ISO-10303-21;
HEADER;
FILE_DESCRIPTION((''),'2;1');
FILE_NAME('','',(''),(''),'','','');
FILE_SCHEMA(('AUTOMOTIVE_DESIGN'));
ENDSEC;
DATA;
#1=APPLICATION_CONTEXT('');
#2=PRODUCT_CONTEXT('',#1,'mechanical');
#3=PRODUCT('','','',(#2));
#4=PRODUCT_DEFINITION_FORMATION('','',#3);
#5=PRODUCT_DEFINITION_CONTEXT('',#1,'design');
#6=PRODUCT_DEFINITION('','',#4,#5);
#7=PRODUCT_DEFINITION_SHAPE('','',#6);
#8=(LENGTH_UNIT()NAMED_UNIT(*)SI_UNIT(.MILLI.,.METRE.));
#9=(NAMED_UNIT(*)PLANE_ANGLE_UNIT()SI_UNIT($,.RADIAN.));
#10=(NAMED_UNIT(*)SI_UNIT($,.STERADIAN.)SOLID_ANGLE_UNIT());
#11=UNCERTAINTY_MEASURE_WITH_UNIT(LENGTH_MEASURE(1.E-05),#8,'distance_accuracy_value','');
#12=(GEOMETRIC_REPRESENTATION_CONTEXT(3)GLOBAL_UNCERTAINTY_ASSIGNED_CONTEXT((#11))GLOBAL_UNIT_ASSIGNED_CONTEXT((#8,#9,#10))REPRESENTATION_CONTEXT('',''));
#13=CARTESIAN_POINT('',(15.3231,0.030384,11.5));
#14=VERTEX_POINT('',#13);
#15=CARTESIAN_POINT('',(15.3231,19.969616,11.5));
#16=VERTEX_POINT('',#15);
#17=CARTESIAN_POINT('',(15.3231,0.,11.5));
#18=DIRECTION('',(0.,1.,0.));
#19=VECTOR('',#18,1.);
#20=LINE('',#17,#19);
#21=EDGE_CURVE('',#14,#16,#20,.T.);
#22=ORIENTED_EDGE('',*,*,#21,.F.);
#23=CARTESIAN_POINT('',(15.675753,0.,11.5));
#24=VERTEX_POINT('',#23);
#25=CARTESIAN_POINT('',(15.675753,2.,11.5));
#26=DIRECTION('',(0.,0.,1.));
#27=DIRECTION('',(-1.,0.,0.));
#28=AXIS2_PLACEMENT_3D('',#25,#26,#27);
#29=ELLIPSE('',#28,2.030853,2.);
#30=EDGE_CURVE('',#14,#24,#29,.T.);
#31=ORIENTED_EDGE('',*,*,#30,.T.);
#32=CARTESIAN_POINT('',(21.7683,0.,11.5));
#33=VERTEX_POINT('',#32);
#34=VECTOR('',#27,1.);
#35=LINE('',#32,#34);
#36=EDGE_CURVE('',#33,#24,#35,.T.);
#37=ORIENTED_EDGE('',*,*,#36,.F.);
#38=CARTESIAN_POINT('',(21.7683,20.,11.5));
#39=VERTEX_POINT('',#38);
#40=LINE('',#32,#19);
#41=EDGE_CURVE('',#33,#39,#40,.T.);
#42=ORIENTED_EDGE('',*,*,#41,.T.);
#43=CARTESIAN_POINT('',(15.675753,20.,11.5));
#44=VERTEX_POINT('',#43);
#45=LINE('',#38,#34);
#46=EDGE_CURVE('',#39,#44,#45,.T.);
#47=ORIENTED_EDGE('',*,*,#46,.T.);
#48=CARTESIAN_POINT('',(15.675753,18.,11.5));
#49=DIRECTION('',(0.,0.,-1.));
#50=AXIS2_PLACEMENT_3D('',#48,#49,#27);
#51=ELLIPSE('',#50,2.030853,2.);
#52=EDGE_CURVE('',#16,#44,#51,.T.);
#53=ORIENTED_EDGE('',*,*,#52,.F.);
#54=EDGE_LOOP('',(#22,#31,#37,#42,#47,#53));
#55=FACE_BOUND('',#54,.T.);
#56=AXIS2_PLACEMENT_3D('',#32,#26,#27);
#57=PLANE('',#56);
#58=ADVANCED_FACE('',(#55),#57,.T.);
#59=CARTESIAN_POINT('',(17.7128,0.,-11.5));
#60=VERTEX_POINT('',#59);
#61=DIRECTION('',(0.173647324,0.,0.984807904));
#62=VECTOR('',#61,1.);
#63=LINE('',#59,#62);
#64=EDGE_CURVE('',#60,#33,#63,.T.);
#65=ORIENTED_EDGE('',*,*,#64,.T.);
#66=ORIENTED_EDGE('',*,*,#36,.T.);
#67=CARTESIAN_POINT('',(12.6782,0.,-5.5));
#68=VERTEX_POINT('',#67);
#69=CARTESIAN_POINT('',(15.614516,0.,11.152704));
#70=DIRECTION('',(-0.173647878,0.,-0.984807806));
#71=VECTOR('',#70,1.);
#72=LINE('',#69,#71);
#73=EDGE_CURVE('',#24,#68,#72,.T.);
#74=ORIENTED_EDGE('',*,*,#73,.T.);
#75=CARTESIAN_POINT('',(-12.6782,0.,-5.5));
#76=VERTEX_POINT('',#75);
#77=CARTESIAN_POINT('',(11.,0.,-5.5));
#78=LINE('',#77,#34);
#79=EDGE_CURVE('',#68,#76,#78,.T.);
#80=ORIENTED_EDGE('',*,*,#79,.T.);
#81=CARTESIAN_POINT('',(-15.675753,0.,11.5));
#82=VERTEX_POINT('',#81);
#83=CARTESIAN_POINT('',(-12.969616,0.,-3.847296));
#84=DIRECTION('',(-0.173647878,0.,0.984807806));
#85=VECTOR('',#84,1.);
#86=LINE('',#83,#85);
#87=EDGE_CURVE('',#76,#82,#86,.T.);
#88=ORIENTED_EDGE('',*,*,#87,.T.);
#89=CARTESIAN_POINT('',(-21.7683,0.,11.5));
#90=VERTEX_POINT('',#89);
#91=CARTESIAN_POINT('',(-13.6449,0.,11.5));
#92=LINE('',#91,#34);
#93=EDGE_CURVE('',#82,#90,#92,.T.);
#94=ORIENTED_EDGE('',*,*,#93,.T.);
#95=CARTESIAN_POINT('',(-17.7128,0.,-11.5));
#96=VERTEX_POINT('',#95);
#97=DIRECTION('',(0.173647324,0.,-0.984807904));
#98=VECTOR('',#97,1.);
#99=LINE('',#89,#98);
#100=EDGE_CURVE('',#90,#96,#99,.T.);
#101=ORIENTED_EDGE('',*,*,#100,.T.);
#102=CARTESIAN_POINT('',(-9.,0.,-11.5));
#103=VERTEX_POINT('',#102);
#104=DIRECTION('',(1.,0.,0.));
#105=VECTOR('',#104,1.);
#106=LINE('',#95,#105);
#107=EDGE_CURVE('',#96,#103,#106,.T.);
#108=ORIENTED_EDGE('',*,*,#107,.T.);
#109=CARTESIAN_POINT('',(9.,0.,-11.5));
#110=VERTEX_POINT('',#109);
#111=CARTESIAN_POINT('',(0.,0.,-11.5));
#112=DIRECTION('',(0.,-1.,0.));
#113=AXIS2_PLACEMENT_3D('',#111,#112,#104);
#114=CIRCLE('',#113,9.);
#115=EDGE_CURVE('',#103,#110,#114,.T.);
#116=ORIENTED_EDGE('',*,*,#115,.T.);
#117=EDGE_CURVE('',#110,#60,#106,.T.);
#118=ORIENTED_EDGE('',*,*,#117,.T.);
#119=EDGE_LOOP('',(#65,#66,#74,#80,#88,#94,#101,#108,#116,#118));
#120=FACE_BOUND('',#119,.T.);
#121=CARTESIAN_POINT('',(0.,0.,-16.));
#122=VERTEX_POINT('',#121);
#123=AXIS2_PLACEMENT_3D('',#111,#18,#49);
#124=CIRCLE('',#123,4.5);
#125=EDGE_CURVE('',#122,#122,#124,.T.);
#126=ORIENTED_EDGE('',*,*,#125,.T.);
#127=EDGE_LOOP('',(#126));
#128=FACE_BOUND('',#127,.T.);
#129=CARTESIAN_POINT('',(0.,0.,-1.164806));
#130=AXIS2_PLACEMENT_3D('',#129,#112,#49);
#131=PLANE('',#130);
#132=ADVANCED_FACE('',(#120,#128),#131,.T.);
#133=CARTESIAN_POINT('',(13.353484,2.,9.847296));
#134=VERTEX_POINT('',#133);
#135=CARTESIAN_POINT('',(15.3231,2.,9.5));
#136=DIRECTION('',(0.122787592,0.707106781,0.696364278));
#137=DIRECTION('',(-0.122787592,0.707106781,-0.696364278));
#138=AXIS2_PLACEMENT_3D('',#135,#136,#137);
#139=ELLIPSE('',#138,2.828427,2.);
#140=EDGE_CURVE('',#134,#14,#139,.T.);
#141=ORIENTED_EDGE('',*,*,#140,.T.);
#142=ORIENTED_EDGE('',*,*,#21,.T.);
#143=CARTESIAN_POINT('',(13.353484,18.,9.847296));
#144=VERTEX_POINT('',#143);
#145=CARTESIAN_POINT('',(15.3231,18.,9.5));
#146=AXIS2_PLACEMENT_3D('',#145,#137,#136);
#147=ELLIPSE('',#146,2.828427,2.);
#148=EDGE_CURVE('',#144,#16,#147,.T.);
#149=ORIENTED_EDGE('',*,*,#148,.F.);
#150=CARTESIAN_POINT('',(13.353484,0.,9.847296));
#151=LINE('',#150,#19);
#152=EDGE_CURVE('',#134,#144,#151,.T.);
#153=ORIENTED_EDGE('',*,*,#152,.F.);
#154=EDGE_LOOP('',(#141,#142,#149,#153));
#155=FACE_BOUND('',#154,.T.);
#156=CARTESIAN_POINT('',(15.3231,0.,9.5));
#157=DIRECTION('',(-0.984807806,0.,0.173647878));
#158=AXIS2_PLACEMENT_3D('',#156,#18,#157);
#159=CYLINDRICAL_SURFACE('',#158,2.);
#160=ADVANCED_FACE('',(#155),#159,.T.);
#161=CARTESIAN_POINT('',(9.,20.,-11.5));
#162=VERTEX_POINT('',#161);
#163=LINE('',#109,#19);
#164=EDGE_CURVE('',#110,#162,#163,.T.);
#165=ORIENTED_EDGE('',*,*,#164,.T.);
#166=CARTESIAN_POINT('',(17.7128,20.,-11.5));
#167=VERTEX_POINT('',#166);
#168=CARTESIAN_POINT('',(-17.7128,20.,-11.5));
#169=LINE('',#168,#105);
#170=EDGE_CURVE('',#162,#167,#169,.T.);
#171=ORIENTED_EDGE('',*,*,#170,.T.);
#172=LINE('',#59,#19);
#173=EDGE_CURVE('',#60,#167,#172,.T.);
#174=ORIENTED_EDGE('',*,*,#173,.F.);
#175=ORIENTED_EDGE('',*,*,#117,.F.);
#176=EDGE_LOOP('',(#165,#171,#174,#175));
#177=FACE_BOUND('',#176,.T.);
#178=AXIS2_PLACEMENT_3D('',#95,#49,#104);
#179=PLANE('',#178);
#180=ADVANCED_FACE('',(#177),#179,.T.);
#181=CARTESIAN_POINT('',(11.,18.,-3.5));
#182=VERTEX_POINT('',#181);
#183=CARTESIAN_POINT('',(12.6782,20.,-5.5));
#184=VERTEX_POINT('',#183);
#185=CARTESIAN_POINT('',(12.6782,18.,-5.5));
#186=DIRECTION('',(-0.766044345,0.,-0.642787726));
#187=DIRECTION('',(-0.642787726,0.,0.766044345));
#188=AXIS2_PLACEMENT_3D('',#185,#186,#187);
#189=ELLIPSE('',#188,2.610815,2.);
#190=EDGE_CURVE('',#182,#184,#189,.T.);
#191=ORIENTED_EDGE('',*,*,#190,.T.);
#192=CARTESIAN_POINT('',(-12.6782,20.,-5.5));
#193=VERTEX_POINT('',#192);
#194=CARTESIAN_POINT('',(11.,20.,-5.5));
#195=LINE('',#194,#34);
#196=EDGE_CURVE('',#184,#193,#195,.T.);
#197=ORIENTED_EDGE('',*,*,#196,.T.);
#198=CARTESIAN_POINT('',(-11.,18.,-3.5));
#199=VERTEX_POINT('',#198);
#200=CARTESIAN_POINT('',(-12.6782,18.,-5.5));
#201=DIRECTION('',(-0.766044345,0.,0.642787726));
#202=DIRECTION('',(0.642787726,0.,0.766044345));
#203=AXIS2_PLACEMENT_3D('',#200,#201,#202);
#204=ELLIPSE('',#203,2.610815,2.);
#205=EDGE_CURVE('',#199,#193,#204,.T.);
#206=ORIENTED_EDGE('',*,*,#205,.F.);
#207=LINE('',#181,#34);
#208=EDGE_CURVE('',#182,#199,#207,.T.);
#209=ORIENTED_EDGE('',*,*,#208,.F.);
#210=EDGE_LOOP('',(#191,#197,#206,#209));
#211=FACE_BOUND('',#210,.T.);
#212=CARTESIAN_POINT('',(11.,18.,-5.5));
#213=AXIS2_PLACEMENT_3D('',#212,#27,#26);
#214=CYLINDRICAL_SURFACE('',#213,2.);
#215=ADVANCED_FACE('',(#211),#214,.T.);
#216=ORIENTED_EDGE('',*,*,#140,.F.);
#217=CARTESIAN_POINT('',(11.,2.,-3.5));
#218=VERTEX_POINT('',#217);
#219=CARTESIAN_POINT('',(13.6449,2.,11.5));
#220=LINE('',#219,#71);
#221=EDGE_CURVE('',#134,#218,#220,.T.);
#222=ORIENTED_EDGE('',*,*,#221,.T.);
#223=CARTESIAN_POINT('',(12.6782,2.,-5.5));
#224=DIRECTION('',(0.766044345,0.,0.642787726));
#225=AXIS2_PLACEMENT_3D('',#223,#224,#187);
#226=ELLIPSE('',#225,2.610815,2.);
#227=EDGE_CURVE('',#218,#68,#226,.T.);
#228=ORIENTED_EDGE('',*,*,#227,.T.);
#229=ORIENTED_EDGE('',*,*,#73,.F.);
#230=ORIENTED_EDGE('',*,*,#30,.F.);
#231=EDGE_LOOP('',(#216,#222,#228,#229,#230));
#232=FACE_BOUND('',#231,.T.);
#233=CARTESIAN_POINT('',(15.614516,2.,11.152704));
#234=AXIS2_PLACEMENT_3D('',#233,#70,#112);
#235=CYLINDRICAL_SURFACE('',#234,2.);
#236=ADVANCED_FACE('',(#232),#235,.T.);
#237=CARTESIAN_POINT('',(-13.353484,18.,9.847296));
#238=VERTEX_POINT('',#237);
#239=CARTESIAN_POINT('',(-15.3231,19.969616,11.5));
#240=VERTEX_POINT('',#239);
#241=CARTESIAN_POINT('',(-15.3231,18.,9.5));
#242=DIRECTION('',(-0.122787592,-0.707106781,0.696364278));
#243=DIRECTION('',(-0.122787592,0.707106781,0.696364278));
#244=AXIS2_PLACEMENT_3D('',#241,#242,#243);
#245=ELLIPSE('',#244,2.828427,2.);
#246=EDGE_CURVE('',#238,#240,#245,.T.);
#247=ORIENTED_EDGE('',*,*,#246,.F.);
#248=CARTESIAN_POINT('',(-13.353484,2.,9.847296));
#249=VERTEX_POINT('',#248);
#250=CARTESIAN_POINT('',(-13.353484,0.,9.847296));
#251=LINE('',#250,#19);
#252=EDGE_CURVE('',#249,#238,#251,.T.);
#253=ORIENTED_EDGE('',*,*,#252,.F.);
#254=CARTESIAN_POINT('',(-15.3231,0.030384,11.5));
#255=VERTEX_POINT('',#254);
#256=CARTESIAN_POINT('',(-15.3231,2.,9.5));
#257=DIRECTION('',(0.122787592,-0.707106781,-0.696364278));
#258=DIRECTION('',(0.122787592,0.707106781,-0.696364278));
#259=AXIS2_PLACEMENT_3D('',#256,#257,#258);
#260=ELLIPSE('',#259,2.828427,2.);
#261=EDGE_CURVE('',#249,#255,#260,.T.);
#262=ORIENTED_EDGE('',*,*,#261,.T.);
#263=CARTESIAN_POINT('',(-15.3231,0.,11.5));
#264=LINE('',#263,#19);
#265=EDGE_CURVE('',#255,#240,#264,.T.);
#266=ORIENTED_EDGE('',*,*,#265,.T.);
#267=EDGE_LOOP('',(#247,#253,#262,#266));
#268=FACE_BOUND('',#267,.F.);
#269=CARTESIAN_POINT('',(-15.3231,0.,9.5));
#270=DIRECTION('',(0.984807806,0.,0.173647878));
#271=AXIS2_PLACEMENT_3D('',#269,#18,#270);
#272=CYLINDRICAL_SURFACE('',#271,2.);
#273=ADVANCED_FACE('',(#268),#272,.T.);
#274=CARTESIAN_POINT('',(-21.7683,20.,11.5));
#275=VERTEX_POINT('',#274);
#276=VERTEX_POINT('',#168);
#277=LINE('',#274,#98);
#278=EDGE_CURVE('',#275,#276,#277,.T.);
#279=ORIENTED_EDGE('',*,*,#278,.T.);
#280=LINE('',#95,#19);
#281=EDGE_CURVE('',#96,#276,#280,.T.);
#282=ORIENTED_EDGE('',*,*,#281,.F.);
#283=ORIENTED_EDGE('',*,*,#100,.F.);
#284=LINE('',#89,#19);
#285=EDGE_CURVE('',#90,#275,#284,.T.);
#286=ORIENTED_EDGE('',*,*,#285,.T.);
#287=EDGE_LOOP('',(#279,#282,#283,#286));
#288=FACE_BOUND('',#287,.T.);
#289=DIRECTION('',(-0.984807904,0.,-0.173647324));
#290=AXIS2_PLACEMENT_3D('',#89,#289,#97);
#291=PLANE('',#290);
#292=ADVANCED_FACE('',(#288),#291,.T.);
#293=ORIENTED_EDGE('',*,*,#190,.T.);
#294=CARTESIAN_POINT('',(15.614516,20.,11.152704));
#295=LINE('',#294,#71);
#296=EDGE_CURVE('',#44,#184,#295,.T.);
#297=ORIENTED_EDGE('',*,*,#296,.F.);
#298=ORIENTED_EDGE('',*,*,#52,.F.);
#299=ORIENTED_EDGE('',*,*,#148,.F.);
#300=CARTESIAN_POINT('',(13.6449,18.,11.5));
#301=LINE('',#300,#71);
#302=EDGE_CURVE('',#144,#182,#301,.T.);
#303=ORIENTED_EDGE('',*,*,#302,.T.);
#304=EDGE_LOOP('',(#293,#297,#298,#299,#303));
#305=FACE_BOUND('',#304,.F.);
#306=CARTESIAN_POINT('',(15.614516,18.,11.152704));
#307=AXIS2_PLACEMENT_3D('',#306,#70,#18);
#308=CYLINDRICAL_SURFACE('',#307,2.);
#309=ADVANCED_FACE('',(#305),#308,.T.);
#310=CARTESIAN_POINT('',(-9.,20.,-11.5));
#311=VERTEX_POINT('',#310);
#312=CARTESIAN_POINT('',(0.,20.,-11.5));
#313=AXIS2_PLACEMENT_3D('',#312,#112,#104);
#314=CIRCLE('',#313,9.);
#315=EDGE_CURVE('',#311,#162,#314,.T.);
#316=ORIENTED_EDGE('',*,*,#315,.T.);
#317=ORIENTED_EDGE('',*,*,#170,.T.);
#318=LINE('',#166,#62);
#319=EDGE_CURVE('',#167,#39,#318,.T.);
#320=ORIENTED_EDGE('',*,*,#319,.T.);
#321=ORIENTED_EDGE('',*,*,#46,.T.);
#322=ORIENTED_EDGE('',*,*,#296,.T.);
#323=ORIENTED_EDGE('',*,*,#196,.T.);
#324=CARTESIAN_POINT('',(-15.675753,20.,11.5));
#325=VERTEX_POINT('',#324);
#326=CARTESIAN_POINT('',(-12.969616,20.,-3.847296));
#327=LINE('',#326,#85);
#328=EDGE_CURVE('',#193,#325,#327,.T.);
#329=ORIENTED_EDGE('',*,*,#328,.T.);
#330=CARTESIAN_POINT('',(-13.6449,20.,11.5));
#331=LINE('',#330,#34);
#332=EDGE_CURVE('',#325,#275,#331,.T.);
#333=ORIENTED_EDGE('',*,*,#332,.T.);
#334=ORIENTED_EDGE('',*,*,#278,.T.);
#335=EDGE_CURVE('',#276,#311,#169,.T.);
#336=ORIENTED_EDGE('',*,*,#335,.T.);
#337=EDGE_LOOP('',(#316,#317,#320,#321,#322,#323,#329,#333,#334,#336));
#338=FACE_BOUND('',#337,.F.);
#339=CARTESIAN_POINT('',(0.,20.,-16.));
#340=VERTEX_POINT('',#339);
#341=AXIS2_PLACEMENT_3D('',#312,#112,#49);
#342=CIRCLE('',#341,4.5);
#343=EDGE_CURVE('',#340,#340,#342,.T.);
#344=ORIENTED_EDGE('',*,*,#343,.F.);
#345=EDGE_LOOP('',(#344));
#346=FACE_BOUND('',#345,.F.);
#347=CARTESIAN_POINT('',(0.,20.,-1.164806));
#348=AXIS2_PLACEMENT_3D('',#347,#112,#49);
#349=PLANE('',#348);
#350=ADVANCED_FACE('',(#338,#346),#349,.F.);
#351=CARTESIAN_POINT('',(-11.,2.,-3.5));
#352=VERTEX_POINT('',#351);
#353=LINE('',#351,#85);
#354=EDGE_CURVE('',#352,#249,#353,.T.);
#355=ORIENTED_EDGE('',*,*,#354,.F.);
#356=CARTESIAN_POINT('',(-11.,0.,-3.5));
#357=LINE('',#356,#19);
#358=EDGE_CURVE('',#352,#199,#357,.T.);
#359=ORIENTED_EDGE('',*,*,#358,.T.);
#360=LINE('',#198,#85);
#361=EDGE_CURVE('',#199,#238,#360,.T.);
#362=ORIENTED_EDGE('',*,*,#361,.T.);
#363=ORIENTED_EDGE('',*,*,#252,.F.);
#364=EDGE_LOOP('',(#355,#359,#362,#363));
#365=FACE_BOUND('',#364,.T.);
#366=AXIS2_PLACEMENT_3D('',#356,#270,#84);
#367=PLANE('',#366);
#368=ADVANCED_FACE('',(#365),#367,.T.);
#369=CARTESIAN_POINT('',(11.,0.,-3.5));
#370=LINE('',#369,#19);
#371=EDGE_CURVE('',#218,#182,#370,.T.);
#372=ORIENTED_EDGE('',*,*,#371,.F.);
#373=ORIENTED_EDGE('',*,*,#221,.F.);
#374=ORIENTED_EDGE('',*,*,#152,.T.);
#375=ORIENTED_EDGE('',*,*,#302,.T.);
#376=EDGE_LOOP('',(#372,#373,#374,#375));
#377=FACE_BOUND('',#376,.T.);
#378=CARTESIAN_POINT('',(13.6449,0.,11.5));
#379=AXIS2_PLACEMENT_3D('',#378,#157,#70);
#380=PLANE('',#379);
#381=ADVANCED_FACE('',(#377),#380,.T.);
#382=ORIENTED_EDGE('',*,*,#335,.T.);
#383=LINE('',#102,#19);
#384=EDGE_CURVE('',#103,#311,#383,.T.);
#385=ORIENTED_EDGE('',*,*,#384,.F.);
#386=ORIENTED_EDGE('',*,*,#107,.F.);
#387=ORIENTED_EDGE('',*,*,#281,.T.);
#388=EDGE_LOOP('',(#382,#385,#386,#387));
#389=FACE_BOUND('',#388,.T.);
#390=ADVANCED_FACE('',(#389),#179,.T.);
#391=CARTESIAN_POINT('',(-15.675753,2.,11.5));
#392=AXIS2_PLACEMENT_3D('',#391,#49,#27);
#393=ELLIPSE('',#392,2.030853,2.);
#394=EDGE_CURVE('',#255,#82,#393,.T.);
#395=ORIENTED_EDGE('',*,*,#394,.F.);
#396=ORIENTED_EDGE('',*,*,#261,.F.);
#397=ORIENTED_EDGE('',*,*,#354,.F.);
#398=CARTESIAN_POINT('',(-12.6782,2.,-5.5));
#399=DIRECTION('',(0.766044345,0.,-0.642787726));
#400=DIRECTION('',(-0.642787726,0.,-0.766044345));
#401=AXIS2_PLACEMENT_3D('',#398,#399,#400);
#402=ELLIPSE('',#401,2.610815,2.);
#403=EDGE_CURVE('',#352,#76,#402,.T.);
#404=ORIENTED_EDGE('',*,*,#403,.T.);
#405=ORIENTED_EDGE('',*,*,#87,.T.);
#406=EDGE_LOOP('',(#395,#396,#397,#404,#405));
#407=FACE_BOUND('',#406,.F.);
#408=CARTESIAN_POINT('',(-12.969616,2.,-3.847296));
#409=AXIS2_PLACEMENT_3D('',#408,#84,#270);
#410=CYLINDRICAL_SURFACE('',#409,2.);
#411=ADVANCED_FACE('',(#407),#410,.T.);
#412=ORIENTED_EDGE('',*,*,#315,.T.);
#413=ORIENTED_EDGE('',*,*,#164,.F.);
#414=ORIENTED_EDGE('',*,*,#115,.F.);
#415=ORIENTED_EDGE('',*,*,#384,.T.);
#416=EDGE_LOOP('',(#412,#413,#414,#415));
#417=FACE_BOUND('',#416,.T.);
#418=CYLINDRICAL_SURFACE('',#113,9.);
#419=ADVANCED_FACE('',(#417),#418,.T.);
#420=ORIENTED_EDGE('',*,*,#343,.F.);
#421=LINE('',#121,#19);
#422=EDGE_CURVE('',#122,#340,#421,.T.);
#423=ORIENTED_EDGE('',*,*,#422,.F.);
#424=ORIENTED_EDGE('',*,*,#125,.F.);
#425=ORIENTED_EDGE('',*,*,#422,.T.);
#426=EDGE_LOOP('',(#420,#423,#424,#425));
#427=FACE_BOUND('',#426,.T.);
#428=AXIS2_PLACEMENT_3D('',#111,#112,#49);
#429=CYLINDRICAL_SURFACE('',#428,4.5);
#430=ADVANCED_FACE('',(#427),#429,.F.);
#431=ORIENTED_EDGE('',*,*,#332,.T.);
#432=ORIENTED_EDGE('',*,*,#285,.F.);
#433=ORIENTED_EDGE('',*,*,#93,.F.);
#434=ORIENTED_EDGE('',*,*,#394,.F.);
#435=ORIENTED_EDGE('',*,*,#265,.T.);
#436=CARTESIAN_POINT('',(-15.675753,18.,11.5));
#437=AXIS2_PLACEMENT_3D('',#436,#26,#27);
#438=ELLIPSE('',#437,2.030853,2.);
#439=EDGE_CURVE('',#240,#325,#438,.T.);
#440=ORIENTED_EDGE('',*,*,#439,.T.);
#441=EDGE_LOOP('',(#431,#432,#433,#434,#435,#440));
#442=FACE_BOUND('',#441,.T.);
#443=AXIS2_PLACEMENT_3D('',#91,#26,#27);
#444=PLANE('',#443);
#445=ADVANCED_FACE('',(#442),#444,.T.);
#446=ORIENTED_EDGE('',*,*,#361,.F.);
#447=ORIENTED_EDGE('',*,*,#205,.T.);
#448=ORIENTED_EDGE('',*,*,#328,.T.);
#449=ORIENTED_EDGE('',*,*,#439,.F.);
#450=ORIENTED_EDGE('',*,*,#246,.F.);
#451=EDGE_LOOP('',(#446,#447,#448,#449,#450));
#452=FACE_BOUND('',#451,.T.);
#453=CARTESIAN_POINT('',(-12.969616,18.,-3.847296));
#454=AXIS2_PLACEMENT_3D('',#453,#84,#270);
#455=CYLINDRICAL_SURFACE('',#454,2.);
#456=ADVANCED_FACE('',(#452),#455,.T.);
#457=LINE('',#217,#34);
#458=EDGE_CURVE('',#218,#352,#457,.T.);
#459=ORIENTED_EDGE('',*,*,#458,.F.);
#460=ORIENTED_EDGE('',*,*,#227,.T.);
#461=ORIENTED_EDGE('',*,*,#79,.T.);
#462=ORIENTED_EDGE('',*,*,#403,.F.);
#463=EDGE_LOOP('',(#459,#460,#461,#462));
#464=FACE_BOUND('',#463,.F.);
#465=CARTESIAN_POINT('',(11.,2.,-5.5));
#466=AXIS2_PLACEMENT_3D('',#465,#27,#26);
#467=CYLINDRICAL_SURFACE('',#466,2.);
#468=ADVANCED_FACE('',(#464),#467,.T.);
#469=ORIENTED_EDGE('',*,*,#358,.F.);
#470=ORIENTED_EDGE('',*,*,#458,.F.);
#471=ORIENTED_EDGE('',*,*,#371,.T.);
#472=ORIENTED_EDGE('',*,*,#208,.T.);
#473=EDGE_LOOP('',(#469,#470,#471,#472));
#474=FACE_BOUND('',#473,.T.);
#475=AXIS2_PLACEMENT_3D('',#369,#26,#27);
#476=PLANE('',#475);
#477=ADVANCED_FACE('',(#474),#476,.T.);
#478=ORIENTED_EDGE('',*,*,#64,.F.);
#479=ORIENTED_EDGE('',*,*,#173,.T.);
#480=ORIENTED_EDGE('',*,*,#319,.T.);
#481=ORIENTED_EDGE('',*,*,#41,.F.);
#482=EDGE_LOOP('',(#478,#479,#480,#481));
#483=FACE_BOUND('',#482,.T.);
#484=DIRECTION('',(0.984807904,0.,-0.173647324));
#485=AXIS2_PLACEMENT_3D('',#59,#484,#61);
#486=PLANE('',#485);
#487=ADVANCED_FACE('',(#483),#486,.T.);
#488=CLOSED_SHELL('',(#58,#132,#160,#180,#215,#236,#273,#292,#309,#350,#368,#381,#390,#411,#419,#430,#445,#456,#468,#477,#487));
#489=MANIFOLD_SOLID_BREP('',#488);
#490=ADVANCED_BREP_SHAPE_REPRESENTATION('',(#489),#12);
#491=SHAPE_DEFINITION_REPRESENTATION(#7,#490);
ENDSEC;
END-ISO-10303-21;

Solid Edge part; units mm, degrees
sketch "Sketch1" plane through (0, 0, 0) normal (0, -1, 0) x (1, 0, 0)
  line L0 (-11, -3.5) -> (-13.6449, 11.5)
  line L1 (-13.6449, 11.5) -> (-21.7683, 11.5)
  line L2 (-21.7683, 11.5) -> (-17.7128, -11.5)
  line L3 (-17.7128, -11.5) -> (17.7128, -11.5)
  line L4 (17.7128, -11.5) -> (21.7683, 11.5)
  line L5 (21.7683, 11.5) -> (13.6449, 11.5)
  line L6 (13.6449, 11.5) -> (11, -3.5)
  line L7 (11, -3.5) -> (-11, -3.5)
extrude "Protrusion1" add sketch "Sketch1" against normal blind 20
sketch "Sketch2" plane through (0, 0, 0) normal (0, -1, 0) x (1, 0, 0)
  arc A0 (-9, -11.5) -> (9, -11.5) centre (0, -11.5) ccw
  line L0 (-9, -11.5) -> (9, -11.5)
extrude "ExtrudedCutout_1" add sketch "Sketch2" against normal blind 20
hole "Trou_pivot" at (0, 0, -11.5) direction (0, 1, 0) diameter 9 end up to next
fillet "Congé_2mm" radius 2 8 edges at (0, 0, -3.5) (-12.3225, 0, 4) (-12.3225, 20, 4) (12.3225, 0, 4) (0, 20, -3.5) (12.3225, 20, 4) (-13.6449, 10, 11.5) (13.6449, 10, 11.5)
properties material "Polyuréthane"
